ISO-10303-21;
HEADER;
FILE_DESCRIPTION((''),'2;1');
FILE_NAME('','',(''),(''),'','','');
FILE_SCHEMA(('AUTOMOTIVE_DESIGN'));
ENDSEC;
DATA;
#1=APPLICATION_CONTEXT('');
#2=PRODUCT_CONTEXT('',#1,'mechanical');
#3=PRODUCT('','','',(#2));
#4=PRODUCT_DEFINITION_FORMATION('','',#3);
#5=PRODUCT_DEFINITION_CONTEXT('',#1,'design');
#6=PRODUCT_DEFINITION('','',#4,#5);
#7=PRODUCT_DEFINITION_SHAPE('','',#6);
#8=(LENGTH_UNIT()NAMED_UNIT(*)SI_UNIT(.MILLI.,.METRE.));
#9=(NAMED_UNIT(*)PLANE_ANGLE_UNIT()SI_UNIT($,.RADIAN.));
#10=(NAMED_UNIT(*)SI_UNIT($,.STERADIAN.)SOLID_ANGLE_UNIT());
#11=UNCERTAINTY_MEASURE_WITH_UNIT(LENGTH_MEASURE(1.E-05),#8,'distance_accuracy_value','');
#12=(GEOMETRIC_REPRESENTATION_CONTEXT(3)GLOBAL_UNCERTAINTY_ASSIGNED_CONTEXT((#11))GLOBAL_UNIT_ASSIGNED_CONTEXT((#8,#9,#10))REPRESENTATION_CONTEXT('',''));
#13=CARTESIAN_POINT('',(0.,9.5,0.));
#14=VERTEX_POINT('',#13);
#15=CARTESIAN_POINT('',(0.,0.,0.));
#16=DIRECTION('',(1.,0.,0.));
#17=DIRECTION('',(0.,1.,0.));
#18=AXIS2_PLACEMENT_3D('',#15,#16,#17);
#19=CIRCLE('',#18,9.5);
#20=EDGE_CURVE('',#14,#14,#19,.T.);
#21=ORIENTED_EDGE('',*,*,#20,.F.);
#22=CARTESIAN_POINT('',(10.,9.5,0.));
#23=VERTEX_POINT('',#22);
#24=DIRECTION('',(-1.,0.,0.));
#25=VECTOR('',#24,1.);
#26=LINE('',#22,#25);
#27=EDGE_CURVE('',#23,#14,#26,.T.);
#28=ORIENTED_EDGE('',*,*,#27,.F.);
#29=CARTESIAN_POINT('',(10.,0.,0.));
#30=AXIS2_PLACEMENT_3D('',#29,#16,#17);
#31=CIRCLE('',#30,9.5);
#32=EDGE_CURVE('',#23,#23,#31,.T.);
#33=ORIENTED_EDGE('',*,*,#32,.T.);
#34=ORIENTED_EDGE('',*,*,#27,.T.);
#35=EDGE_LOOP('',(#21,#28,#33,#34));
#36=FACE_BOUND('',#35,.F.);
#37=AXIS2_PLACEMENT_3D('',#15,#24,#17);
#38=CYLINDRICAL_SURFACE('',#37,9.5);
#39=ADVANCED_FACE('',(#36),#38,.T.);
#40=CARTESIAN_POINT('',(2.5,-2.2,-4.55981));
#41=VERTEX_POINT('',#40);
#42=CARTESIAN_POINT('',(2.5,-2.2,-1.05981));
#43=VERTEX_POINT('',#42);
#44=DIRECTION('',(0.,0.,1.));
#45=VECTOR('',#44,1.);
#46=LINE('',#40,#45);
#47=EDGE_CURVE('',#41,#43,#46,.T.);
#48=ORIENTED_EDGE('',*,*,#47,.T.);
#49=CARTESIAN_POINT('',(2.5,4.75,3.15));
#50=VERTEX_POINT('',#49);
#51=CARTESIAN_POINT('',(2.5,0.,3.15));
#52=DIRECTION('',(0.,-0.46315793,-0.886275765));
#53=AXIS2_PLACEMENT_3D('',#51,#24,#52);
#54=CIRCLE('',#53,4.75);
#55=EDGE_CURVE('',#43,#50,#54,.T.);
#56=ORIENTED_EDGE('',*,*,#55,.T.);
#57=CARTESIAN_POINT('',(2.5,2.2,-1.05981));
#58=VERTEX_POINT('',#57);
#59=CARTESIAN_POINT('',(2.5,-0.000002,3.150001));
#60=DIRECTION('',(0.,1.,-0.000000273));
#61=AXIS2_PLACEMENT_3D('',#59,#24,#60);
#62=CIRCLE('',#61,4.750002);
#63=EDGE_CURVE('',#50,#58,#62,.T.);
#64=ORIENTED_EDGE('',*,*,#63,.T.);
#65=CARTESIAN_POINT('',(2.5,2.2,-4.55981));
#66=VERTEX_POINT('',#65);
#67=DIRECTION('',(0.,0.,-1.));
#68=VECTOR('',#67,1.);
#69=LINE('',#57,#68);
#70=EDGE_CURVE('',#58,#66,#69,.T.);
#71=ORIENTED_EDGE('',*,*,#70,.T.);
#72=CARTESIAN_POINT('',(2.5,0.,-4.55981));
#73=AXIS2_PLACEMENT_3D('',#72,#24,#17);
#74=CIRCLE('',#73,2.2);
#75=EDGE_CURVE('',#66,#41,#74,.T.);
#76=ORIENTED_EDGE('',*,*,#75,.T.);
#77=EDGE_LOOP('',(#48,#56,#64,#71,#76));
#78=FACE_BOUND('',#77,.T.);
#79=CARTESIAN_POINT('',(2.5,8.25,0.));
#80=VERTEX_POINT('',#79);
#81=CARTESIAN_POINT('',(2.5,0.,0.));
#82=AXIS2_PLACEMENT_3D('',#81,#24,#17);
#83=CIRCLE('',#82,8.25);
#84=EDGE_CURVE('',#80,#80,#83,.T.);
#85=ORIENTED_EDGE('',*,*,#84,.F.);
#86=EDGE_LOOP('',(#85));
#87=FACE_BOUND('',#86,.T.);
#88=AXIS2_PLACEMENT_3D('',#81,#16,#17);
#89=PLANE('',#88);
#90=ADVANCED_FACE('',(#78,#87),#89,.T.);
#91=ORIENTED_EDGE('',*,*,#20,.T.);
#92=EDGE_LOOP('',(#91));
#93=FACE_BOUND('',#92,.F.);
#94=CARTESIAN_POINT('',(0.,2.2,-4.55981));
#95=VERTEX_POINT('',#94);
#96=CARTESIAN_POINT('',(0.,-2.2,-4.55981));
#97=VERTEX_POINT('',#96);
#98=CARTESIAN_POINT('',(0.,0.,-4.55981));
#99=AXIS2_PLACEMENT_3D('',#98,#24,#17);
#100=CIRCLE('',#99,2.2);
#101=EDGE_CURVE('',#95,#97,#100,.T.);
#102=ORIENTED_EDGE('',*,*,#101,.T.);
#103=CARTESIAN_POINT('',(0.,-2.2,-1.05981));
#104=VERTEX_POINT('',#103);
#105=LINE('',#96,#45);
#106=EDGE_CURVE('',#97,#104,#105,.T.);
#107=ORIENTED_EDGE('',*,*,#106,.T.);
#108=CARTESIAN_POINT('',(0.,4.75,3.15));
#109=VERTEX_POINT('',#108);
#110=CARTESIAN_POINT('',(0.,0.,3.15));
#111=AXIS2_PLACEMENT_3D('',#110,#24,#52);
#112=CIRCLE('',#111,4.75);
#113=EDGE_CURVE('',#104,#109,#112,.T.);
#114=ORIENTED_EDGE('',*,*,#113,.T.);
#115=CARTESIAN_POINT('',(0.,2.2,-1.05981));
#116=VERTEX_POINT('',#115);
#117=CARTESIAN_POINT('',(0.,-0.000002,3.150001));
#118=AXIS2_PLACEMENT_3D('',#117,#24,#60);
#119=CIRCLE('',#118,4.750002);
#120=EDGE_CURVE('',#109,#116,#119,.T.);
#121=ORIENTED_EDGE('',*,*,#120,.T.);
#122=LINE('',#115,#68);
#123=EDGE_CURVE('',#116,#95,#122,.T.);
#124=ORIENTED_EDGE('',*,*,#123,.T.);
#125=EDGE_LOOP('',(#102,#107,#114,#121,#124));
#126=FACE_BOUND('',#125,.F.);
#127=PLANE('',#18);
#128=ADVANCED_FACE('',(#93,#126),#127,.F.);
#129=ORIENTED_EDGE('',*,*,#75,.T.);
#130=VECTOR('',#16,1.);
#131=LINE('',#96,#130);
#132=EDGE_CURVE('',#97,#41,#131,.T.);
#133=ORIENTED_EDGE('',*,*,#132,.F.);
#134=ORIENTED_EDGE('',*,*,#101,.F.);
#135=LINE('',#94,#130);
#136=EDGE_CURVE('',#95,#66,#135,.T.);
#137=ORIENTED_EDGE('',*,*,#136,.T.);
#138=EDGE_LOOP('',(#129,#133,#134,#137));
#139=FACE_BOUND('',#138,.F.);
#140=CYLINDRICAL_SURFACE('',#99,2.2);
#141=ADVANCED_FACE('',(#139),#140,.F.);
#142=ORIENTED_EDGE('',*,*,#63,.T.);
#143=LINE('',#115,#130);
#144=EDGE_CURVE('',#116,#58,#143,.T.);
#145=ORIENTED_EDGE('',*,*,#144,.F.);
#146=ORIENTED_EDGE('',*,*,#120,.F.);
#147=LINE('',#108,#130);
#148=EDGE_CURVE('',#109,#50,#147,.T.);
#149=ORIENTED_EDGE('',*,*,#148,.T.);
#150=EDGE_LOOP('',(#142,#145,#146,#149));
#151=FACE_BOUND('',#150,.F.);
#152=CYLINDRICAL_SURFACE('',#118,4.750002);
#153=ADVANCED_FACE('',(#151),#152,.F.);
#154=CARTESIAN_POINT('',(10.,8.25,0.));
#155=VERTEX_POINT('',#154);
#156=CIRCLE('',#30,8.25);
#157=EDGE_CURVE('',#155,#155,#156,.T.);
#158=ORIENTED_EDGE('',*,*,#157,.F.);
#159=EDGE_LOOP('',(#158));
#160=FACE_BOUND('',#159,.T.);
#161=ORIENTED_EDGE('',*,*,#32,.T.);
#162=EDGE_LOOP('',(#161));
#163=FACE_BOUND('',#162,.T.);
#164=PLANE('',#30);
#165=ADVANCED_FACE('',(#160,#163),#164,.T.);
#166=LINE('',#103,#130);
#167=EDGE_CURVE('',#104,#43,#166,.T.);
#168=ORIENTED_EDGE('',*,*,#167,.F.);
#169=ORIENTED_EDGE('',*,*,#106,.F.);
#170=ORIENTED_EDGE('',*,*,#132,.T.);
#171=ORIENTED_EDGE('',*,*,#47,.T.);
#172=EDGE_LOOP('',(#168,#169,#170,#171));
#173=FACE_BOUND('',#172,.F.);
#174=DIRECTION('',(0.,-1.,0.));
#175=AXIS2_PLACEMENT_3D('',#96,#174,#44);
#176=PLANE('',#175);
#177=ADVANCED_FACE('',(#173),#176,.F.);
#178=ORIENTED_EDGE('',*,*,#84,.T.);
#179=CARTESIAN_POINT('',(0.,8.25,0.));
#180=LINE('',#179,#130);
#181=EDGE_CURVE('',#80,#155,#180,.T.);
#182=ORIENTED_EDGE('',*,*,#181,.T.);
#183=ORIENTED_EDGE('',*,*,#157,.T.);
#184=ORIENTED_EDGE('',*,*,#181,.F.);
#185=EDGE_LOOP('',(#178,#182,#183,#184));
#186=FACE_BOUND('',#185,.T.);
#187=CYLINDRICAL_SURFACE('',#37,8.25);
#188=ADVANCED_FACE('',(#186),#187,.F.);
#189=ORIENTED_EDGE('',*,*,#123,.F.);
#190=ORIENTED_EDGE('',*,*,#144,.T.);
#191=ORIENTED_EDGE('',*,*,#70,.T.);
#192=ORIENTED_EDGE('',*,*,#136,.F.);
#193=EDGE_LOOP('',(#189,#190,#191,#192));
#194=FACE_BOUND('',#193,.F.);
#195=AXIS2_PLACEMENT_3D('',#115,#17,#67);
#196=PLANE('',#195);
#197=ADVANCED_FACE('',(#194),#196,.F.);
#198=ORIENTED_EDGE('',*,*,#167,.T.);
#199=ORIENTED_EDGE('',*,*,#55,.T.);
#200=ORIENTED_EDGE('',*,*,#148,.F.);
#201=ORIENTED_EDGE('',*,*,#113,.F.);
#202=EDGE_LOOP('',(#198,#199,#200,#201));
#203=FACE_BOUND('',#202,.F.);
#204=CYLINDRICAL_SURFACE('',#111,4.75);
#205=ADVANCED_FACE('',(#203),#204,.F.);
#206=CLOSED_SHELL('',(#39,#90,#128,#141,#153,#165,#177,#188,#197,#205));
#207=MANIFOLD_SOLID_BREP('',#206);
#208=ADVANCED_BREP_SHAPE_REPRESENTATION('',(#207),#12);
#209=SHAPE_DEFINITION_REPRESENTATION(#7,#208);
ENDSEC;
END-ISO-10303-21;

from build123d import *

# Parameters (mm, degrees)
F0_R     = 9.5
F0_R_2   = 8.25
F1_DEPTH = 2.5
F2_DEPTH = 10


with BuildPart() as f1:
    # F0 (on Right) → F1 (new body)
    with BuildSketch(Plane.YZ):
        Circle(F0_R)
        Circle(F0_R_2, mode=Mode.SUBTRACT)
        Circle(F0_R_2)
        with BuildLine():
            ThreePointArc((-2.2, -1.05981), (-2.460945, 7.212788), (4.75, 3.15))
            ThreePointArc((4.75, 3.15), (4.062788, 0.689055), (2.2, -1.05981))
            Line((2.2, -1.05981), (2.2, -4.55981))
            ThreePointArc((2.2, -4.55981), (0, -6.75981), (-2.2, -4.55981))
            Line((-2.2, -4.55981), (-2.2, -1.05981))
        make_face(mode=Mode.SUBTRACT)
    extrude(amount=F1_DEPTH)

    # F0 (on Right) → F2 (join)
    with BuildSketch(Plane.YZ):
        Circle(F0_R)
        Circle(F0_R_2, mode=Mode.SUBTRACT)
    extrude(amount=F2_DEPTH)


solid = f1.part
